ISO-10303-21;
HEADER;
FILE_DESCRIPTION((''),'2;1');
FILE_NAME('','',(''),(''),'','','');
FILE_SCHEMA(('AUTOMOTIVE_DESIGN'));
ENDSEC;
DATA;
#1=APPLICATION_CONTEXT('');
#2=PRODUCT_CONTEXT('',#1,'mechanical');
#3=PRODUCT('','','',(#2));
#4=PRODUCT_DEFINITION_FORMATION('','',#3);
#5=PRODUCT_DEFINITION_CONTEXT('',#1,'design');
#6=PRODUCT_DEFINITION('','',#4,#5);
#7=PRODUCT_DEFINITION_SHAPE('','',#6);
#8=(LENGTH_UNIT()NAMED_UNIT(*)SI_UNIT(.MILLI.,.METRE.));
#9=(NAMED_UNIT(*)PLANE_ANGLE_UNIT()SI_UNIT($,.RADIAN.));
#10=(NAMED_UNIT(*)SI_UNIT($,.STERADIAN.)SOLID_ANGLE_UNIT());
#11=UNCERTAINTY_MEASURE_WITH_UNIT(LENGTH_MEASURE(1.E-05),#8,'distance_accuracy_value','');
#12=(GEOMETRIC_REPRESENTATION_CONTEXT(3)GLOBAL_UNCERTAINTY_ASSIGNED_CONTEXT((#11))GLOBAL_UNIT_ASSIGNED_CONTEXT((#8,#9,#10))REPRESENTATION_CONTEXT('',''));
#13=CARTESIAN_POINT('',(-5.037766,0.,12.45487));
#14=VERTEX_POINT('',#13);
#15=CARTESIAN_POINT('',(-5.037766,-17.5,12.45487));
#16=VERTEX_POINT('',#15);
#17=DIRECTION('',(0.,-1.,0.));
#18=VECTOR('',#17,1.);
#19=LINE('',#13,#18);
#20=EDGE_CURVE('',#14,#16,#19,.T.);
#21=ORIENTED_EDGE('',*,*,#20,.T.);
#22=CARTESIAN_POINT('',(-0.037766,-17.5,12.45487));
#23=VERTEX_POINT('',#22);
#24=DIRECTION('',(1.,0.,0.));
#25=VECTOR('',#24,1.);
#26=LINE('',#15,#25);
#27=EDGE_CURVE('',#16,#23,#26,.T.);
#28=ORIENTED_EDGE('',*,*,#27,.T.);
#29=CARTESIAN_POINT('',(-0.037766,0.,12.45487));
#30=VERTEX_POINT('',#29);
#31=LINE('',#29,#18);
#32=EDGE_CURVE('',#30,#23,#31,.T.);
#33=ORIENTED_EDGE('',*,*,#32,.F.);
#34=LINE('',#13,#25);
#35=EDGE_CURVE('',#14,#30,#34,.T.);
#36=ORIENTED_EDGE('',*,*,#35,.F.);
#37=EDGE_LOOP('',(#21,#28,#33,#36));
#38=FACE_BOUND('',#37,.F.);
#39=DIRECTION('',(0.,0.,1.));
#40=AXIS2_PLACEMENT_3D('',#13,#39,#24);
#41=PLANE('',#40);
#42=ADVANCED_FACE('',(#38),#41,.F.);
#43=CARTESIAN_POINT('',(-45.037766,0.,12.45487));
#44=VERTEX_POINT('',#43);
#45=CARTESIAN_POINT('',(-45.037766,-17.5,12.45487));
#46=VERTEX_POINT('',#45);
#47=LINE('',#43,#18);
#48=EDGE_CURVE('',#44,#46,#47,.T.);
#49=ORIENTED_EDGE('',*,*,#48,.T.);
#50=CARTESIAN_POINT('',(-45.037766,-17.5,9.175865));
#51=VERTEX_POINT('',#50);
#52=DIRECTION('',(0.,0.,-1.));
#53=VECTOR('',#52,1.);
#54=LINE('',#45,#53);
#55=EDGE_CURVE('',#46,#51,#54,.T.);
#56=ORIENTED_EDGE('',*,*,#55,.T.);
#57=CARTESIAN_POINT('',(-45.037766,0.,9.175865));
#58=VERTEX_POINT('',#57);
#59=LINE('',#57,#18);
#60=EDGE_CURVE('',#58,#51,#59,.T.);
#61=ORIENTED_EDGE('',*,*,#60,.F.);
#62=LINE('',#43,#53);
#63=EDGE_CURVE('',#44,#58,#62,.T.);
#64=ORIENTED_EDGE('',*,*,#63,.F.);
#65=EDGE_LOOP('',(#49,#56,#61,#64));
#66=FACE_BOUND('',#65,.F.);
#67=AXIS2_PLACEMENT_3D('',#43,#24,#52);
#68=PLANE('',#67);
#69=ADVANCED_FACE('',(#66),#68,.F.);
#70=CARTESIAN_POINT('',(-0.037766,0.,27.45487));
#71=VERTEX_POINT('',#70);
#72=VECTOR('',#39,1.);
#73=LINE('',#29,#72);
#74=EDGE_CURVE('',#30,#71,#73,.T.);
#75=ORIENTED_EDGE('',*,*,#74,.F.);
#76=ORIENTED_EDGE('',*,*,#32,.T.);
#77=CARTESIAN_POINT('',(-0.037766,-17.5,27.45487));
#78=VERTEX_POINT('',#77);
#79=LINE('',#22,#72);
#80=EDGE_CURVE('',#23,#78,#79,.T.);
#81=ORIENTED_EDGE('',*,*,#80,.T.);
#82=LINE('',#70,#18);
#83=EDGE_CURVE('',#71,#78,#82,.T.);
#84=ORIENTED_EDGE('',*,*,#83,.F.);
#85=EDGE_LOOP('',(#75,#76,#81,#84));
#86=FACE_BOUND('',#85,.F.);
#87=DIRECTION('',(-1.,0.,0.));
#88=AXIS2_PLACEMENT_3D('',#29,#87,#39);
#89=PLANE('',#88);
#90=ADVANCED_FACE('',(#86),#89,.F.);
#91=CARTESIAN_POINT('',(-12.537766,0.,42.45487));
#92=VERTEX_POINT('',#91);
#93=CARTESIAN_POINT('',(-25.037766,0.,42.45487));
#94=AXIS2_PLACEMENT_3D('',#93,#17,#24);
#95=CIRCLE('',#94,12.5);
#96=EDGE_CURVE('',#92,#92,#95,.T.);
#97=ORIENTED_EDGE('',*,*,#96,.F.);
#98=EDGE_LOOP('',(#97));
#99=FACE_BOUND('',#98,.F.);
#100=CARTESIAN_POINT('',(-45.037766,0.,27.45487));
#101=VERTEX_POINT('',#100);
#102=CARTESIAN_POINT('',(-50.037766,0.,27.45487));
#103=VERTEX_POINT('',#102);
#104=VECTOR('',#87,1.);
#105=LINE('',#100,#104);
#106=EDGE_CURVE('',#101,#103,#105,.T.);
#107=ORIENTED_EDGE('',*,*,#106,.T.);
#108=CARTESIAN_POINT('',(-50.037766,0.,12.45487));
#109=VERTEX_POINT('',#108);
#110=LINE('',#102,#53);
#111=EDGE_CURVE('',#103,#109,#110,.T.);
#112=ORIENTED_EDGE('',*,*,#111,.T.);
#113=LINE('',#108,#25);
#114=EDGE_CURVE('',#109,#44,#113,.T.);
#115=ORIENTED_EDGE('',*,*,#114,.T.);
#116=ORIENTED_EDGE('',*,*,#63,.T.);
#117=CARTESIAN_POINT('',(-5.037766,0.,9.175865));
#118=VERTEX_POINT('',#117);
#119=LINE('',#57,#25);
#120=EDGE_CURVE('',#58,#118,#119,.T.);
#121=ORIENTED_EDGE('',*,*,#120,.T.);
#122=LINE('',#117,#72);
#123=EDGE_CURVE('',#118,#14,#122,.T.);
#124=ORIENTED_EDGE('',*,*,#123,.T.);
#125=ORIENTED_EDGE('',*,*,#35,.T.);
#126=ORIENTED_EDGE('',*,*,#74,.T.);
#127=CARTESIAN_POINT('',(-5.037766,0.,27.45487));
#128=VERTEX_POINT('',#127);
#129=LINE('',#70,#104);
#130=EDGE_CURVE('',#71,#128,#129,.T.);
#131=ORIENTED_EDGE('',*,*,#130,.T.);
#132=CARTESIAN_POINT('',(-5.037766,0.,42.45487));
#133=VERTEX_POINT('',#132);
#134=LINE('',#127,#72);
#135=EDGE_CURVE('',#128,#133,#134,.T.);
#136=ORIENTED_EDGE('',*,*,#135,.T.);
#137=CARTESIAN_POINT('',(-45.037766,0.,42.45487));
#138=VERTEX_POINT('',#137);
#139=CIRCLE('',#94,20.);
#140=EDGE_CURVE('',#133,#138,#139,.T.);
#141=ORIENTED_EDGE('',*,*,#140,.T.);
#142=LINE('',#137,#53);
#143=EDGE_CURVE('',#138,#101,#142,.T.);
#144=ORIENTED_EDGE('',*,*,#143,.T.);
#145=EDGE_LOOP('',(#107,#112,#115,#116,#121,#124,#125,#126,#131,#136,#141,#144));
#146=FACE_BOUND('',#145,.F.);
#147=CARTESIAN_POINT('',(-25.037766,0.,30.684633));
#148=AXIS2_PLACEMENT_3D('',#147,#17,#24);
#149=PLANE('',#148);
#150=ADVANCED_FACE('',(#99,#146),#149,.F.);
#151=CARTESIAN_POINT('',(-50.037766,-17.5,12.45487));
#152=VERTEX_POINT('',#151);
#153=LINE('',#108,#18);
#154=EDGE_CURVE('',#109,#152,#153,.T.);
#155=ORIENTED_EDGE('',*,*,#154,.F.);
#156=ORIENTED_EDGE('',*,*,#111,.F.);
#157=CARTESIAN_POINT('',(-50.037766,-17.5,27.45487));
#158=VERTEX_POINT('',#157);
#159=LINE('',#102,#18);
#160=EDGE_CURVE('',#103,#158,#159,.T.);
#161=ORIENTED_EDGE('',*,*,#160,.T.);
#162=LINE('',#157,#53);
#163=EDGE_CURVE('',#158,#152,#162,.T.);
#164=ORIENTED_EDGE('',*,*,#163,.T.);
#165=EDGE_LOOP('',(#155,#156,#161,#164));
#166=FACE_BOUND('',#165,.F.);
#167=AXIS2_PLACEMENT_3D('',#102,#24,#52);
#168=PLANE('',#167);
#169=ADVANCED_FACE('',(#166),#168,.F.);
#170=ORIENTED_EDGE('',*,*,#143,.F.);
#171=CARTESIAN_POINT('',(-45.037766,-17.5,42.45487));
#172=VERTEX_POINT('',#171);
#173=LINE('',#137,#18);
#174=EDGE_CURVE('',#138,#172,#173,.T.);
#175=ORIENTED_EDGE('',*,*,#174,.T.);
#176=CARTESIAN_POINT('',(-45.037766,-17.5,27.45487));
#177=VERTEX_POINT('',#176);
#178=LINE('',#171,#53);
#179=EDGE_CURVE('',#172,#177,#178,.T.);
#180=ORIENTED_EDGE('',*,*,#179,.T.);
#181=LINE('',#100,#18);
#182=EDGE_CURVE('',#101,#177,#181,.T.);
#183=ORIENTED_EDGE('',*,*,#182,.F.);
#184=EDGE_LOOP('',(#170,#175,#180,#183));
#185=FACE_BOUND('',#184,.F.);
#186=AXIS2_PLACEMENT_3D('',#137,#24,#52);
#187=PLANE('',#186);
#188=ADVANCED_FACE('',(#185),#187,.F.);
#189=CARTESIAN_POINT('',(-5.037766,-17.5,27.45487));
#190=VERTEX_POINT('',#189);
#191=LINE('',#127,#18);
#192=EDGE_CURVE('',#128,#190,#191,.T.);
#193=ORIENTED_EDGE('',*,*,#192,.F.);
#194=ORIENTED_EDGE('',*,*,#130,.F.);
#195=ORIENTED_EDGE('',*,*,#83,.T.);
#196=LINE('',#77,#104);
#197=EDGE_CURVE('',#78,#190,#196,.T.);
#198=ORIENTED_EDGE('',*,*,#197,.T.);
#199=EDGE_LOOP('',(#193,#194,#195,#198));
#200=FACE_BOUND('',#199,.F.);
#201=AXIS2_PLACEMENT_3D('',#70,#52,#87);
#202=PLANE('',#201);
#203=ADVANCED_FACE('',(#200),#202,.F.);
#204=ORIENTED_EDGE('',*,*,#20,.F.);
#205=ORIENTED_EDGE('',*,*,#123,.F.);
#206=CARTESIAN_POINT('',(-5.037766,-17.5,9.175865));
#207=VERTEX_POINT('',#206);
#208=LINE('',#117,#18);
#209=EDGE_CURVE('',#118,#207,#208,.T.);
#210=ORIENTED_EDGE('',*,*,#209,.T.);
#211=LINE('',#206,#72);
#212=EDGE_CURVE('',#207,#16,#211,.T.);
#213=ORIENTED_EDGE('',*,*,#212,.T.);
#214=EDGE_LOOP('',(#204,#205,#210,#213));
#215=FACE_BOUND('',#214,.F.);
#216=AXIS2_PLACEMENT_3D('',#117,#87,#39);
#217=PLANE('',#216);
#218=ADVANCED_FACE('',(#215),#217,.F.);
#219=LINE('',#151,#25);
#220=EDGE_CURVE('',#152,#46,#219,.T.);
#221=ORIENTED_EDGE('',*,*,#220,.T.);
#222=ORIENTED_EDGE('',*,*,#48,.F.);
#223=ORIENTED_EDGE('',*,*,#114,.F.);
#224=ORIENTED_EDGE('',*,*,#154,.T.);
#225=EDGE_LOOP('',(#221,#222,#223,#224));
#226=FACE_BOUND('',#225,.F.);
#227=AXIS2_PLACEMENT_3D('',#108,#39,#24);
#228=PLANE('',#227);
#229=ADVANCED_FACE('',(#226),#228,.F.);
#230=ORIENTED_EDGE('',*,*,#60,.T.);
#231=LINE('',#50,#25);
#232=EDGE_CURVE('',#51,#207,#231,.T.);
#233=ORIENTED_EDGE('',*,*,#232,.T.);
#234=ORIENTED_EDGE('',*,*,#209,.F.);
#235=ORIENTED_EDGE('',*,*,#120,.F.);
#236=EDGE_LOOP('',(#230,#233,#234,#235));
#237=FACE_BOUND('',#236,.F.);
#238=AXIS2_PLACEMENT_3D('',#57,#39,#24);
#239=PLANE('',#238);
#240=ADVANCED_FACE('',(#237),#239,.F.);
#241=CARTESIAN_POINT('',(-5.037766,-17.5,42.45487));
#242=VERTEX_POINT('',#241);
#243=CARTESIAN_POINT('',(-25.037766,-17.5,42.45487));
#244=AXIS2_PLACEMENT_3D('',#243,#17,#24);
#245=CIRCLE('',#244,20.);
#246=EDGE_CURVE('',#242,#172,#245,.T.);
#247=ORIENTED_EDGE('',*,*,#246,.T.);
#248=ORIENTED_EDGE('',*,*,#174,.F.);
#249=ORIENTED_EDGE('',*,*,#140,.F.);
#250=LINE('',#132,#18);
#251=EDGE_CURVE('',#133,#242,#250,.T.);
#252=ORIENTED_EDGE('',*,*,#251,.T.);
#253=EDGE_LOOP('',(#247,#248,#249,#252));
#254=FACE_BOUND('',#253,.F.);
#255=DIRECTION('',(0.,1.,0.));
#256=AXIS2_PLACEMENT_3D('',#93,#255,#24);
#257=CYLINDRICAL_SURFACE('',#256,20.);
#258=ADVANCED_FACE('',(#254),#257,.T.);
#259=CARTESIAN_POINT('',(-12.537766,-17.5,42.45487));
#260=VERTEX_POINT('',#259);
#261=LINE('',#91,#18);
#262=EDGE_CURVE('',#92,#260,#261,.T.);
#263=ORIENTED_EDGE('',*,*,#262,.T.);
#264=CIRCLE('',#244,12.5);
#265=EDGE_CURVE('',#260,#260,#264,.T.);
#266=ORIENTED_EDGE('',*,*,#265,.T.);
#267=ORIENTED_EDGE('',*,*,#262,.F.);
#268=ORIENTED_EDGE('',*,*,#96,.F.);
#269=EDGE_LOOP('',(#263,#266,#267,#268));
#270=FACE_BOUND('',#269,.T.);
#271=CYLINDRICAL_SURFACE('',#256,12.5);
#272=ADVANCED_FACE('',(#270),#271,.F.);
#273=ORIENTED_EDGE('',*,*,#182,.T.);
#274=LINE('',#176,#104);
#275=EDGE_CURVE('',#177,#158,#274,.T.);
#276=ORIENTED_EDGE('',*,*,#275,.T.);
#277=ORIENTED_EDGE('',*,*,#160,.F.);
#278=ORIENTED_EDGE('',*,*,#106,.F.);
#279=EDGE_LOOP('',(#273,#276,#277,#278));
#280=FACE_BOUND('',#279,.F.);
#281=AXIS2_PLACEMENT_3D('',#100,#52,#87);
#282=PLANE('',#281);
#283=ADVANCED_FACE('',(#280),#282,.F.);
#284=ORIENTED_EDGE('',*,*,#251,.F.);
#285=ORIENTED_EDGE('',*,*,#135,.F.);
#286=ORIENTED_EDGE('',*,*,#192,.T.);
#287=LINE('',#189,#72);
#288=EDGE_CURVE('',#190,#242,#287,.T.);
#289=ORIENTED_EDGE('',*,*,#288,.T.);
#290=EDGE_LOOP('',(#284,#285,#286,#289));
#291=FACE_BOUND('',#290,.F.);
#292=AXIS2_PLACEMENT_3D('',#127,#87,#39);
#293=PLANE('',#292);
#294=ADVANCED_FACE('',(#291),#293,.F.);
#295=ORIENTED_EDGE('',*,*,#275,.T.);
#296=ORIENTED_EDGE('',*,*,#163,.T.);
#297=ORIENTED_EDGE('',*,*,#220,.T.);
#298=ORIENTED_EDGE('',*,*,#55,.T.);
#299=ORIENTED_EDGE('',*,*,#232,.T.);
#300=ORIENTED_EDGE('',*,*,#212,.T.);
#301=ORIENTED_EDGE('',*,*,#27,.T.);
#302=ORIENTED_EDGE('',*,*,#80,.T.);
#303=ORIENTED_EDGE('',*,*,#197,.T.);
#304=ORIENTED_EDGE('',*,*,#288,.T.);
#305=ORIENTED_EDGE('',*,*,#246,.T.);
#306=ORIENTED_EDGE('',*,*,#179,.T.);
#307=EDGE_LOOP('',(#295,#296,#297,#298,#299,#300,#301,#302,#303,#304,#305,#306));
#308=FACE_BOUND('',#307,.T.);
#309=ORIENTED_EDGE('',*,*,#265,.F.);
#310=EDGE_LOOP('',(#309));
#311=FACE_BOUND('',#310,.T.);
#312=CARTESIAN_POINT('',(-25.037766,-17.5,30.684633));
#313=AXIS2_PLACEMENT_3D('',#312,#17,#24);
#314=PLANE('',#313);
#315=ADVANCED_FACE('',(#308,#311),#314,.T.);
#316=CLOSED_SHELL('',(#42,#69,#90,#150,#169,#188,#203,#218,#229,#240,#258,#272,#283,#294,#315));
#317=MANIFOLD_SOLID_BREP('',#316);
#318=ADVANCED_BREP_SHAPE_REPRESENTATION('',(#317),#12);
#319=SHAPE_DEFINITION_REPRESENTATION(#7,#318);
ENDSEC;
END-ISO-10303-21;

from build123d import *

# Parameters (mm, degrees)
F0_R     = 12.5
F1_DEPTH = 17.5


with BuildPart() as f1:
    # F0 (on Front) → F1 (new body)
    with BuildSketch(Plane.XZ):
        with BuildLine():
            Line((-45.037766, 9.175865), (-5.037766, 9.175865))
            Line((-5.037766, 9.175865), (-5.037766, 12.45487))
            Line((-5.037766, 12.45487), (-0.037766, 12.45487))
            Line((-0.037766, 12.45487), (-0.037766, 27.45487))
            Line((-0.037766, 27.45487), (-5.037766, 27.45487))
            Line((-5.037766, 27.45487), (-5.037766, 42.45487))
            ThreePointArc((-5.037766, 42.45487), (-25.037766, 62.45487), (-45.037766, 42.45487))
            Line((-45.037766, 42.45487), (-45.037766, 27.45487))
            Line((-45.037766, 27.45487), (-50.037766, 27.45487))
            Line((-50.037766, 27.45487), (-50.037766, 12.45487))
            Line((-50.037766, 12.45487), (-45.037766, 12.45487))
            Line((-45.037766, 12.45487), (-45.037766, 9.175865))
        make_face()
        with Locations((-25.037766, 42.45487)):
            Circle(F0_R, mode=Mode.SUBTRACT)
    extrude(amount=F1_DEPTH)


solid = f1.part
